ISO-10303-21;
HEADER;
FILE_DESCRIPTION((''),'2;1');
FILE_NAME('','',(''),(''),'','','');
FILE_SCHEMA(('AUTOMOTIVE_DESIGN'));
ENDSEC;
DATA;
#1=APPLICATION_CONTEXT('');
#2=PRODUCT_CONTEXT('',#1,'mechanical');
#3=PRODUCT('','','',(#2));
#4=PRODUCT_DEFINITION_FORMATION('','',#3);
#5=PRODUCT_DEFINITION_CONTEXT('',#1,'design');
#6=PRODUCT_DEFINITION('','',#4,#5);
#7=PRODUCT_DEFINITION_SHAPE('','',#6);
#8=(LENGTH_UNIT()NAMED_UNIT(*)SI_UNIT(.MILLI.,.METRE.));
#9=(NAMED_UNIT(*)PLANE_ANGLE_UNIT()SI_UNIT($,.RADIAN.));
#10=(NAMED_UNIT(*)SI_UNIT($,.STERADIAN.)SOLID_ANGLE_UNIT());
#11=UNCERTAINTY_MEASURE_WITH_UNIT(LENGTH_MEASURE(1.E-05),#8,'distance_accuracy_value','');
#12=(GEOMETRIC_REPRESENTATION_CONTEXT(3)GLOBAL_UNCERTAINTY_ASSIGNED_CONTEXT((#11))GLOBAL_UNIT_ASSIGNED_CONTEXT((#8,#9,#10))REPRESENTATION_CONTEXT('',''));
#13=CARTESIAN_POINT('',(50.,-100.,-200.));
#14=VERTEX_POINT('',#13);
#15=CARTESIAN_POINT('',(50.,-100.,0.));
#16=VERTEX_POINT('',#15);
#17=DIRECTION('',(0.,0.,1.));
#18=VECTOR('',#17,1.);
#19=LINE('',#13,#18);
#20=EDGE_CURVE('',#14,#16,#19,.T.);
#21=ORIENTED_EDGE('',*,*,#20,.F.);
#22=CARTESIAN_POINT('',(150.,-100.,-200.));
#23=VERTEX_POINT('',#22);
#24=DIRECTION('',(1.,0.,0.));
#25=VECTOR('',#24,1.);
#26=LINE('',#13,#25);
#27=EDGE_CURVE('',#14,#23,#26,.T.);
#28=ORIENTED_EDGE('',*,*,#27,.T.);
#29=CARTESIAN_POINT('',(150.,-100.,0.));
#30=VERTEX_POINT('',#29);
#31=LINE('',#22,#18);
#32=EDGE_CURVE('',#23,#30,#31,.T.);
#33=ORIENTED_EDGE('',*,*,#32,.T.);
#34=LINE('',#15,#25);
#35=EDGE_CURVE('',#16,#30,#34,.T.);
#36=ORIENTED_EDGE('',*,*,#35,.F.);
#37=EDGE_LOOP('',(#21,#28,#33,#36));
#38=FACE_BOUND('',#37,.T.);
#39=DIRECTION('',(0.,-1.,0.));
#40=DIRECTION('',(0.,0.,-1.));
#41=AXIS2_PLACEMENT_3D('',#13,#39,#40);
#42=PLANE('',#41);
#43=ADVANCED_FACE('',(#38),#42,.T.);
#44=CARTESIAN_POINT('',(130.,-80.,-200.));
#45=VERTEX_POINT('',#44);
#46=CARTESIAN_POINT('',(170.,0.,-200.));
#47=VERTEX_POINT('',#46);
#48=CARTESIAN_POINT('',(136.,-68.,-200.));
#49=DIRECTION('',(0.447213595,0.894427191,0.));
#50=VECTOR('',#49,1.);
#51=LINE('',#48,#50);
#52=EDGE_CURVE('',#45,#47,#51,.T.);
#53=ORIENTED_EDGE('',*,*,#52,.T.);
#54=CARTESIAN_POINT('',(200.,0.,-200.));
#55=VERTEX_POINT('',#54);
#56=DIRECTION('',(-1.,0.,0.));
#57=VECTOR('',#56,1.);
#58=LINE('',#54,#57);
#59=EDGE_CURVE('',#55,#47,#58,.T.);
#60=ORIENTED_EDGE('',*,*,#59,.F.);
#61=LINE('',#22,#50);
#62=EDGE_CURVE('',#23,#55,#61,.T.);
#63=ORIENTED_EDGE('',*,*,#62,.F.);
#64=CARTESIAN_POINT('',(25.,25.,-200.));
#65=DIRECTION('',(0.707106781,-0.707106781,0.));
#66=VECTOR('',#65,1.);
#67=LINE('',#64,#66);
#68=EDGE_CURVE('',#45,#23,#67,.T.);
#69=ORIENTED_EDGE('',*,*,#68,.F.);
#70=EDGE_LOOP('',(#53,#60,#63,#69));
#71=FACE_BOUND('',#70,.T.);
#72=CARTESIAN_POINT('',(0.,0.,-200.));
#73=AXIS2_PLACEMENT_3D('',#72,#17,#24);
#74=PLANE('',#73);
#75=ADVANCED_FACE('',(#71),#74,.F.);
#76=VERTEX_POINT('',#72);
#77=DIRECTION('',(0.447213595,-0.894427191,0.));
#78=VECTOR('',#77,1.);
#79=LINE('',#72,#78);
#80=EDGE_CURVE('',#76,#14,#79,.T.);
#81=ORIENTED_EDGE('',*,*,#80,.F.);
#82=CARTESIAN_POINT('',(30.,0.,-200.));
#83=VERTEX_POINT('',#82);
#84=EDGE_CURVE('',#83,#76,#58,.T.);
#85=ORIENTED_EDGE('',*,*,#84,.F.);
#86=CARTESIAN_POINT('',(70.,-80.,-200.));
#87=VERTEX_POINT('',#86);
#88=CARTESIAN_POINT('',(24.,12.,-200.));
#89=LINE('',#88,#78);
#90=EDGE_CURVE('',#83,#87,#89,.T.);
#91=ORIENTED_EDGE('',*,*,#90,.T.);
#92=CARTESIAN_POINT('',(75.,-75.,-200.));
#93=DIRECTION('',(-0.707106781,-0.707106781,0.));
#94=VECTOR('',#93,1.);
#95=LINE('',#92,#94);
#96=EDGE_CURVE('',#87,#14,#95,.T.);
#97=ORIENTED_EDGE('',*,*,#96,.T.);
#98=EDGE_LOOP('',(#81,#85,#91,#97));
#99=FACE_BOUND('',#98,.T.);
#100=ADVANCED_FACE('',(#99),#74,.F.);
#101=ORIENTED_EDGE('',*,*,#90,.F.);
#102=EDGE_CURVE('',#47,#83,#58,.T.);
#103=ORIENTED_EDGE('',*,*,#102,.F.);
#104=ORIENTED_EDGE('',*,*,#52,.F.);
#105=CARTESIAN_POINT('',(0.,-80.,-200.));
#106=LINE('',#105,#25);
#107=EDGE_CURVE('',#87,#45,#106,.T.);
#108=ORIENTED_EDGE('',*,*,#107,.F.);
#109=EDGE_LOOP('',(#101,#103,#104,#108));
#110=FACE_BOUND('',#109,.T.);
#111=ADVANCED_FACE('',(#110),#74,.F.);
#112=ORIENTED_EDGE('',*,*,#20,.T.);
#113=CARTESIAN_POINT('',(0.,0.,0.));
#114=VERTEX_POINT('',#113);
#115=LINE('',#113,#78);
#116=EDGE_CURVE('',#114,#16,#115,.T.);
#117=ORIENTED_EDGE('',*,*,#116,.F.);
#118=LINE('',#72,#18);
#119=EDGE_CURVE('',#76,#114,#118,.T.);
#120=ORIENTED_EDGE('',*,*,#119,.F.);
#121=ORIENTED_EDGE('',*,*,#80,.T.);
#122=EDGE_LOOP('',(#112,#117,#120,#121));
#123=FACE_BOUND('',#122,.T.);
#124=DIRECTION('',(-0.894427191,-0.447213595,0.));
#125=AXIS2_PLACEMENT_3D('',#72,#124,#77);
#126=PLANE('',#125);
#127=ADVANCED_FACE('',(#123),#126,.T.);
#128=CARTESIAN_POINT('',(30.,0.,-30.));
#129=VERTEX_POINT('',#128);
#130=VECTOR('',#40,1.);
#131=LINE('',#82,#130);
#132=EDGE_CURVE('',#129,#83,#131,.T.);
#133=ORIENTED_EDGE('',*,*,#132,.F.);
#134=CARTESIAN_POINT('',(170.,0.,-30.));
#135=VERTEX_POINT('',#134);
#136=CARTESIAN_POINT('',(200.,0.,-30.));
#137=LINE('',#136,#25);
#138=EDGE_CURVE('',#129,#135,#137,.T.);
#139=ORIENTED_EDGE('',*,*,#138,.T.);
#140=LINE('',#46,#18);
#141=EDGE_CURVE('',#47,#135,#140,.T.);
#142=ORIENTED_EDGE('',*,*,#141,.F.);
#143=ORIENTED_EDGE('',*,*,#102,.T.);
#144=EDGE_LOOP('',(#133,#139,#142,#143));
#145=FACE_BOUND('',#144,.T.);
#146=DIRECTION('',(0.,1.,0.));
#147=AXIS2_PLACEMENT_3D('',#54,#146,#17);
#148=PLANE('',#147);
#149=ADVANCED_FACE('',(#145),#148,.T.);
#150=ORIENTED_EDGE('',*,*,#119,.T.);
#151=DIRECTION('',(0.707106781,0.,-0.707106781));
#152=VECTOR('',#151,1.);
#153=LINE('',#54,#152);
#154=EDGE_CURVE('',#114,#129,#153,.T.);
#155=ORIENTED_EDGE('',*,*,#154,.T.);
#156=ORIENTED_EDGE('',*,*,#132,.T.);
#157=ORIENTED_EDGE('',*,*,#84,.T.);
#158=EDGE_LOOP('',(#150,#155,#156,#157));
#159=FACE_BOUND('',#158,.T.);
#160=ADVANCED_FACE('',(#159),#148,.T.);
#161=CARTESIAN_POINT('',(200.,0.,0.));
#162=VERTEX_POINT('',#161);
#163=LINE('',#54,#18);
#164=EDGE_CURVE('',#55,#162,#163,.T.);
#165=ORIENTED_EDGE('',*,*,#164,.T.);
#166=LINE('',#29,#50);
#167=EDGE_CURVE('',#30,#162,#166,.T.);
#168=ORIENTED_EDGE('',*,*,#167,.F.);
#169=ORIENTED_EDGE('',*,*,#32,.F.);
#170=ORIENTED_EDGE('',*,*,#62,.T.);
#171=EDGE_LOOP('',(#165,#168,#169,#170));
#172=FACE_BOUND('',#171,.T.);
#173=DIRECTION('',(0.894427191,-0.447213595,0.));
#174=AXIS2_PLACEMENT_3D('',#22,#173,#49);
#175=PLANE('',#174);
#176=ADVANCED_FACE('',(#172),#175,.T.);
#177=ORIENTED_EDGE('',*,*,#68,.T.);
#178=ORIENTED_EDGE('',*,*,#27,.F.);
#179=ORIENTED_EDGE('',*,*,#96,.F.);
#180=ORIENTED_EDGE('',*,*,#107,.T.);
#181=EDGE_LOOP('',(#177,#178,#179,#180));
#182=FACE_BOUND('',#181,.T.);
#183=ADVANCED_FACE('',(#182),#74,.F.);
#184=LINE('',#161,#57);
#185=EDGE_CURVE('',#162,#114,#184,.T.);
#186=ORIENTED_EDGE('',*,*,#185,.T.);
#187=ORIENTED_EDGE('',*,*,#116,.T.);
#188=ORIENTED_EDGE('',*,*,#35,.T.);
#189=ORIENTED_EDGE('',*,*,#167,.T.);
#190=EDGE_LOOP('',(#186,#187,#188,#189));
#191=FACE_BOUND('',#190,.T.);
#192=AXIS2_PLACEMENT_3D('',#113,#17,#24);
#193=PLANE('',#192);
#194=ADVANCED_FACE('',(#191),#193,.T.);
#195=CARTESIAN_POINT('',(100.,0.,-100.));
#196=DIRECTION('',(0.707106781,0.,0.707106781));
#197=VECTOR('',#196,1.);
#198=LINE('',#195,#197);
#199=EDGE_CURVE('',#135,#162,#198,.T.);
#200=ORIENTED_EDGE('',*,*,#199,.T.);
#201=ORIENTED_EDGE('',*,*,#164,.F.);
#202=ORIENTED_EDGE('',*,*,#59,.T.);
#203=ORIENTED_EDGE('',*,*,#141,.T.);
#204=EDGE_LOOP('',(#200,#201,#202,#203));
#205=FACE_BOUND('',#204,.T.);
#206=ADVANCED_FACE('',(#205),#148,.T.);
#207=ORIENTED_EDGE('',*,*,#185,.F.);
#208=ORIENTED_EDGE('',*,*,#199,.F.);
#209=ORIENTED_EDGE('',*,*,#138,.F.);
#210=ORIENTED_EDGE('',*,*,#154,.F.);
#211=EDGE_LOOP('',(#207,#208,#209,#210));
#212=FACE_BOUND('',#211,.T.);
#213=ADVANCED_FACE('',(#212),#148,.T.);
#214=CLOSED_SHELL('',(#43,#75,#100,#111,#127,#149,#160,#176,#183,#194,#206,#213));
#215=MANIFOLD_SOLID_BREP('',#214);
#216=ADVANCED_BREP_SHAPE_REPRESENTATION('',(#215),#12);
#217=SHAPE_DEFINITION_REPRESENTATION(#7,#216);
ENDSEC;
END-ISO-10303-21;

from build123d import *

# Parameters (mm, degrees)
AUFSATZ_LINEAR_AUSTRAGEN1_DEPTH = 200


with BuildPart() as part:
    # Skizze1 → Aufsatz-Linear austragen1 (new body)
    with BuildSketch(Plane.XY):
        Polygon((0, 0), (50, -100), (150, -100), (200, 0), align=None)
    extrude(amount=-AUFSATZ_LINEAR_AUSTRAGEN1_DEPTH)


solid = part.part
